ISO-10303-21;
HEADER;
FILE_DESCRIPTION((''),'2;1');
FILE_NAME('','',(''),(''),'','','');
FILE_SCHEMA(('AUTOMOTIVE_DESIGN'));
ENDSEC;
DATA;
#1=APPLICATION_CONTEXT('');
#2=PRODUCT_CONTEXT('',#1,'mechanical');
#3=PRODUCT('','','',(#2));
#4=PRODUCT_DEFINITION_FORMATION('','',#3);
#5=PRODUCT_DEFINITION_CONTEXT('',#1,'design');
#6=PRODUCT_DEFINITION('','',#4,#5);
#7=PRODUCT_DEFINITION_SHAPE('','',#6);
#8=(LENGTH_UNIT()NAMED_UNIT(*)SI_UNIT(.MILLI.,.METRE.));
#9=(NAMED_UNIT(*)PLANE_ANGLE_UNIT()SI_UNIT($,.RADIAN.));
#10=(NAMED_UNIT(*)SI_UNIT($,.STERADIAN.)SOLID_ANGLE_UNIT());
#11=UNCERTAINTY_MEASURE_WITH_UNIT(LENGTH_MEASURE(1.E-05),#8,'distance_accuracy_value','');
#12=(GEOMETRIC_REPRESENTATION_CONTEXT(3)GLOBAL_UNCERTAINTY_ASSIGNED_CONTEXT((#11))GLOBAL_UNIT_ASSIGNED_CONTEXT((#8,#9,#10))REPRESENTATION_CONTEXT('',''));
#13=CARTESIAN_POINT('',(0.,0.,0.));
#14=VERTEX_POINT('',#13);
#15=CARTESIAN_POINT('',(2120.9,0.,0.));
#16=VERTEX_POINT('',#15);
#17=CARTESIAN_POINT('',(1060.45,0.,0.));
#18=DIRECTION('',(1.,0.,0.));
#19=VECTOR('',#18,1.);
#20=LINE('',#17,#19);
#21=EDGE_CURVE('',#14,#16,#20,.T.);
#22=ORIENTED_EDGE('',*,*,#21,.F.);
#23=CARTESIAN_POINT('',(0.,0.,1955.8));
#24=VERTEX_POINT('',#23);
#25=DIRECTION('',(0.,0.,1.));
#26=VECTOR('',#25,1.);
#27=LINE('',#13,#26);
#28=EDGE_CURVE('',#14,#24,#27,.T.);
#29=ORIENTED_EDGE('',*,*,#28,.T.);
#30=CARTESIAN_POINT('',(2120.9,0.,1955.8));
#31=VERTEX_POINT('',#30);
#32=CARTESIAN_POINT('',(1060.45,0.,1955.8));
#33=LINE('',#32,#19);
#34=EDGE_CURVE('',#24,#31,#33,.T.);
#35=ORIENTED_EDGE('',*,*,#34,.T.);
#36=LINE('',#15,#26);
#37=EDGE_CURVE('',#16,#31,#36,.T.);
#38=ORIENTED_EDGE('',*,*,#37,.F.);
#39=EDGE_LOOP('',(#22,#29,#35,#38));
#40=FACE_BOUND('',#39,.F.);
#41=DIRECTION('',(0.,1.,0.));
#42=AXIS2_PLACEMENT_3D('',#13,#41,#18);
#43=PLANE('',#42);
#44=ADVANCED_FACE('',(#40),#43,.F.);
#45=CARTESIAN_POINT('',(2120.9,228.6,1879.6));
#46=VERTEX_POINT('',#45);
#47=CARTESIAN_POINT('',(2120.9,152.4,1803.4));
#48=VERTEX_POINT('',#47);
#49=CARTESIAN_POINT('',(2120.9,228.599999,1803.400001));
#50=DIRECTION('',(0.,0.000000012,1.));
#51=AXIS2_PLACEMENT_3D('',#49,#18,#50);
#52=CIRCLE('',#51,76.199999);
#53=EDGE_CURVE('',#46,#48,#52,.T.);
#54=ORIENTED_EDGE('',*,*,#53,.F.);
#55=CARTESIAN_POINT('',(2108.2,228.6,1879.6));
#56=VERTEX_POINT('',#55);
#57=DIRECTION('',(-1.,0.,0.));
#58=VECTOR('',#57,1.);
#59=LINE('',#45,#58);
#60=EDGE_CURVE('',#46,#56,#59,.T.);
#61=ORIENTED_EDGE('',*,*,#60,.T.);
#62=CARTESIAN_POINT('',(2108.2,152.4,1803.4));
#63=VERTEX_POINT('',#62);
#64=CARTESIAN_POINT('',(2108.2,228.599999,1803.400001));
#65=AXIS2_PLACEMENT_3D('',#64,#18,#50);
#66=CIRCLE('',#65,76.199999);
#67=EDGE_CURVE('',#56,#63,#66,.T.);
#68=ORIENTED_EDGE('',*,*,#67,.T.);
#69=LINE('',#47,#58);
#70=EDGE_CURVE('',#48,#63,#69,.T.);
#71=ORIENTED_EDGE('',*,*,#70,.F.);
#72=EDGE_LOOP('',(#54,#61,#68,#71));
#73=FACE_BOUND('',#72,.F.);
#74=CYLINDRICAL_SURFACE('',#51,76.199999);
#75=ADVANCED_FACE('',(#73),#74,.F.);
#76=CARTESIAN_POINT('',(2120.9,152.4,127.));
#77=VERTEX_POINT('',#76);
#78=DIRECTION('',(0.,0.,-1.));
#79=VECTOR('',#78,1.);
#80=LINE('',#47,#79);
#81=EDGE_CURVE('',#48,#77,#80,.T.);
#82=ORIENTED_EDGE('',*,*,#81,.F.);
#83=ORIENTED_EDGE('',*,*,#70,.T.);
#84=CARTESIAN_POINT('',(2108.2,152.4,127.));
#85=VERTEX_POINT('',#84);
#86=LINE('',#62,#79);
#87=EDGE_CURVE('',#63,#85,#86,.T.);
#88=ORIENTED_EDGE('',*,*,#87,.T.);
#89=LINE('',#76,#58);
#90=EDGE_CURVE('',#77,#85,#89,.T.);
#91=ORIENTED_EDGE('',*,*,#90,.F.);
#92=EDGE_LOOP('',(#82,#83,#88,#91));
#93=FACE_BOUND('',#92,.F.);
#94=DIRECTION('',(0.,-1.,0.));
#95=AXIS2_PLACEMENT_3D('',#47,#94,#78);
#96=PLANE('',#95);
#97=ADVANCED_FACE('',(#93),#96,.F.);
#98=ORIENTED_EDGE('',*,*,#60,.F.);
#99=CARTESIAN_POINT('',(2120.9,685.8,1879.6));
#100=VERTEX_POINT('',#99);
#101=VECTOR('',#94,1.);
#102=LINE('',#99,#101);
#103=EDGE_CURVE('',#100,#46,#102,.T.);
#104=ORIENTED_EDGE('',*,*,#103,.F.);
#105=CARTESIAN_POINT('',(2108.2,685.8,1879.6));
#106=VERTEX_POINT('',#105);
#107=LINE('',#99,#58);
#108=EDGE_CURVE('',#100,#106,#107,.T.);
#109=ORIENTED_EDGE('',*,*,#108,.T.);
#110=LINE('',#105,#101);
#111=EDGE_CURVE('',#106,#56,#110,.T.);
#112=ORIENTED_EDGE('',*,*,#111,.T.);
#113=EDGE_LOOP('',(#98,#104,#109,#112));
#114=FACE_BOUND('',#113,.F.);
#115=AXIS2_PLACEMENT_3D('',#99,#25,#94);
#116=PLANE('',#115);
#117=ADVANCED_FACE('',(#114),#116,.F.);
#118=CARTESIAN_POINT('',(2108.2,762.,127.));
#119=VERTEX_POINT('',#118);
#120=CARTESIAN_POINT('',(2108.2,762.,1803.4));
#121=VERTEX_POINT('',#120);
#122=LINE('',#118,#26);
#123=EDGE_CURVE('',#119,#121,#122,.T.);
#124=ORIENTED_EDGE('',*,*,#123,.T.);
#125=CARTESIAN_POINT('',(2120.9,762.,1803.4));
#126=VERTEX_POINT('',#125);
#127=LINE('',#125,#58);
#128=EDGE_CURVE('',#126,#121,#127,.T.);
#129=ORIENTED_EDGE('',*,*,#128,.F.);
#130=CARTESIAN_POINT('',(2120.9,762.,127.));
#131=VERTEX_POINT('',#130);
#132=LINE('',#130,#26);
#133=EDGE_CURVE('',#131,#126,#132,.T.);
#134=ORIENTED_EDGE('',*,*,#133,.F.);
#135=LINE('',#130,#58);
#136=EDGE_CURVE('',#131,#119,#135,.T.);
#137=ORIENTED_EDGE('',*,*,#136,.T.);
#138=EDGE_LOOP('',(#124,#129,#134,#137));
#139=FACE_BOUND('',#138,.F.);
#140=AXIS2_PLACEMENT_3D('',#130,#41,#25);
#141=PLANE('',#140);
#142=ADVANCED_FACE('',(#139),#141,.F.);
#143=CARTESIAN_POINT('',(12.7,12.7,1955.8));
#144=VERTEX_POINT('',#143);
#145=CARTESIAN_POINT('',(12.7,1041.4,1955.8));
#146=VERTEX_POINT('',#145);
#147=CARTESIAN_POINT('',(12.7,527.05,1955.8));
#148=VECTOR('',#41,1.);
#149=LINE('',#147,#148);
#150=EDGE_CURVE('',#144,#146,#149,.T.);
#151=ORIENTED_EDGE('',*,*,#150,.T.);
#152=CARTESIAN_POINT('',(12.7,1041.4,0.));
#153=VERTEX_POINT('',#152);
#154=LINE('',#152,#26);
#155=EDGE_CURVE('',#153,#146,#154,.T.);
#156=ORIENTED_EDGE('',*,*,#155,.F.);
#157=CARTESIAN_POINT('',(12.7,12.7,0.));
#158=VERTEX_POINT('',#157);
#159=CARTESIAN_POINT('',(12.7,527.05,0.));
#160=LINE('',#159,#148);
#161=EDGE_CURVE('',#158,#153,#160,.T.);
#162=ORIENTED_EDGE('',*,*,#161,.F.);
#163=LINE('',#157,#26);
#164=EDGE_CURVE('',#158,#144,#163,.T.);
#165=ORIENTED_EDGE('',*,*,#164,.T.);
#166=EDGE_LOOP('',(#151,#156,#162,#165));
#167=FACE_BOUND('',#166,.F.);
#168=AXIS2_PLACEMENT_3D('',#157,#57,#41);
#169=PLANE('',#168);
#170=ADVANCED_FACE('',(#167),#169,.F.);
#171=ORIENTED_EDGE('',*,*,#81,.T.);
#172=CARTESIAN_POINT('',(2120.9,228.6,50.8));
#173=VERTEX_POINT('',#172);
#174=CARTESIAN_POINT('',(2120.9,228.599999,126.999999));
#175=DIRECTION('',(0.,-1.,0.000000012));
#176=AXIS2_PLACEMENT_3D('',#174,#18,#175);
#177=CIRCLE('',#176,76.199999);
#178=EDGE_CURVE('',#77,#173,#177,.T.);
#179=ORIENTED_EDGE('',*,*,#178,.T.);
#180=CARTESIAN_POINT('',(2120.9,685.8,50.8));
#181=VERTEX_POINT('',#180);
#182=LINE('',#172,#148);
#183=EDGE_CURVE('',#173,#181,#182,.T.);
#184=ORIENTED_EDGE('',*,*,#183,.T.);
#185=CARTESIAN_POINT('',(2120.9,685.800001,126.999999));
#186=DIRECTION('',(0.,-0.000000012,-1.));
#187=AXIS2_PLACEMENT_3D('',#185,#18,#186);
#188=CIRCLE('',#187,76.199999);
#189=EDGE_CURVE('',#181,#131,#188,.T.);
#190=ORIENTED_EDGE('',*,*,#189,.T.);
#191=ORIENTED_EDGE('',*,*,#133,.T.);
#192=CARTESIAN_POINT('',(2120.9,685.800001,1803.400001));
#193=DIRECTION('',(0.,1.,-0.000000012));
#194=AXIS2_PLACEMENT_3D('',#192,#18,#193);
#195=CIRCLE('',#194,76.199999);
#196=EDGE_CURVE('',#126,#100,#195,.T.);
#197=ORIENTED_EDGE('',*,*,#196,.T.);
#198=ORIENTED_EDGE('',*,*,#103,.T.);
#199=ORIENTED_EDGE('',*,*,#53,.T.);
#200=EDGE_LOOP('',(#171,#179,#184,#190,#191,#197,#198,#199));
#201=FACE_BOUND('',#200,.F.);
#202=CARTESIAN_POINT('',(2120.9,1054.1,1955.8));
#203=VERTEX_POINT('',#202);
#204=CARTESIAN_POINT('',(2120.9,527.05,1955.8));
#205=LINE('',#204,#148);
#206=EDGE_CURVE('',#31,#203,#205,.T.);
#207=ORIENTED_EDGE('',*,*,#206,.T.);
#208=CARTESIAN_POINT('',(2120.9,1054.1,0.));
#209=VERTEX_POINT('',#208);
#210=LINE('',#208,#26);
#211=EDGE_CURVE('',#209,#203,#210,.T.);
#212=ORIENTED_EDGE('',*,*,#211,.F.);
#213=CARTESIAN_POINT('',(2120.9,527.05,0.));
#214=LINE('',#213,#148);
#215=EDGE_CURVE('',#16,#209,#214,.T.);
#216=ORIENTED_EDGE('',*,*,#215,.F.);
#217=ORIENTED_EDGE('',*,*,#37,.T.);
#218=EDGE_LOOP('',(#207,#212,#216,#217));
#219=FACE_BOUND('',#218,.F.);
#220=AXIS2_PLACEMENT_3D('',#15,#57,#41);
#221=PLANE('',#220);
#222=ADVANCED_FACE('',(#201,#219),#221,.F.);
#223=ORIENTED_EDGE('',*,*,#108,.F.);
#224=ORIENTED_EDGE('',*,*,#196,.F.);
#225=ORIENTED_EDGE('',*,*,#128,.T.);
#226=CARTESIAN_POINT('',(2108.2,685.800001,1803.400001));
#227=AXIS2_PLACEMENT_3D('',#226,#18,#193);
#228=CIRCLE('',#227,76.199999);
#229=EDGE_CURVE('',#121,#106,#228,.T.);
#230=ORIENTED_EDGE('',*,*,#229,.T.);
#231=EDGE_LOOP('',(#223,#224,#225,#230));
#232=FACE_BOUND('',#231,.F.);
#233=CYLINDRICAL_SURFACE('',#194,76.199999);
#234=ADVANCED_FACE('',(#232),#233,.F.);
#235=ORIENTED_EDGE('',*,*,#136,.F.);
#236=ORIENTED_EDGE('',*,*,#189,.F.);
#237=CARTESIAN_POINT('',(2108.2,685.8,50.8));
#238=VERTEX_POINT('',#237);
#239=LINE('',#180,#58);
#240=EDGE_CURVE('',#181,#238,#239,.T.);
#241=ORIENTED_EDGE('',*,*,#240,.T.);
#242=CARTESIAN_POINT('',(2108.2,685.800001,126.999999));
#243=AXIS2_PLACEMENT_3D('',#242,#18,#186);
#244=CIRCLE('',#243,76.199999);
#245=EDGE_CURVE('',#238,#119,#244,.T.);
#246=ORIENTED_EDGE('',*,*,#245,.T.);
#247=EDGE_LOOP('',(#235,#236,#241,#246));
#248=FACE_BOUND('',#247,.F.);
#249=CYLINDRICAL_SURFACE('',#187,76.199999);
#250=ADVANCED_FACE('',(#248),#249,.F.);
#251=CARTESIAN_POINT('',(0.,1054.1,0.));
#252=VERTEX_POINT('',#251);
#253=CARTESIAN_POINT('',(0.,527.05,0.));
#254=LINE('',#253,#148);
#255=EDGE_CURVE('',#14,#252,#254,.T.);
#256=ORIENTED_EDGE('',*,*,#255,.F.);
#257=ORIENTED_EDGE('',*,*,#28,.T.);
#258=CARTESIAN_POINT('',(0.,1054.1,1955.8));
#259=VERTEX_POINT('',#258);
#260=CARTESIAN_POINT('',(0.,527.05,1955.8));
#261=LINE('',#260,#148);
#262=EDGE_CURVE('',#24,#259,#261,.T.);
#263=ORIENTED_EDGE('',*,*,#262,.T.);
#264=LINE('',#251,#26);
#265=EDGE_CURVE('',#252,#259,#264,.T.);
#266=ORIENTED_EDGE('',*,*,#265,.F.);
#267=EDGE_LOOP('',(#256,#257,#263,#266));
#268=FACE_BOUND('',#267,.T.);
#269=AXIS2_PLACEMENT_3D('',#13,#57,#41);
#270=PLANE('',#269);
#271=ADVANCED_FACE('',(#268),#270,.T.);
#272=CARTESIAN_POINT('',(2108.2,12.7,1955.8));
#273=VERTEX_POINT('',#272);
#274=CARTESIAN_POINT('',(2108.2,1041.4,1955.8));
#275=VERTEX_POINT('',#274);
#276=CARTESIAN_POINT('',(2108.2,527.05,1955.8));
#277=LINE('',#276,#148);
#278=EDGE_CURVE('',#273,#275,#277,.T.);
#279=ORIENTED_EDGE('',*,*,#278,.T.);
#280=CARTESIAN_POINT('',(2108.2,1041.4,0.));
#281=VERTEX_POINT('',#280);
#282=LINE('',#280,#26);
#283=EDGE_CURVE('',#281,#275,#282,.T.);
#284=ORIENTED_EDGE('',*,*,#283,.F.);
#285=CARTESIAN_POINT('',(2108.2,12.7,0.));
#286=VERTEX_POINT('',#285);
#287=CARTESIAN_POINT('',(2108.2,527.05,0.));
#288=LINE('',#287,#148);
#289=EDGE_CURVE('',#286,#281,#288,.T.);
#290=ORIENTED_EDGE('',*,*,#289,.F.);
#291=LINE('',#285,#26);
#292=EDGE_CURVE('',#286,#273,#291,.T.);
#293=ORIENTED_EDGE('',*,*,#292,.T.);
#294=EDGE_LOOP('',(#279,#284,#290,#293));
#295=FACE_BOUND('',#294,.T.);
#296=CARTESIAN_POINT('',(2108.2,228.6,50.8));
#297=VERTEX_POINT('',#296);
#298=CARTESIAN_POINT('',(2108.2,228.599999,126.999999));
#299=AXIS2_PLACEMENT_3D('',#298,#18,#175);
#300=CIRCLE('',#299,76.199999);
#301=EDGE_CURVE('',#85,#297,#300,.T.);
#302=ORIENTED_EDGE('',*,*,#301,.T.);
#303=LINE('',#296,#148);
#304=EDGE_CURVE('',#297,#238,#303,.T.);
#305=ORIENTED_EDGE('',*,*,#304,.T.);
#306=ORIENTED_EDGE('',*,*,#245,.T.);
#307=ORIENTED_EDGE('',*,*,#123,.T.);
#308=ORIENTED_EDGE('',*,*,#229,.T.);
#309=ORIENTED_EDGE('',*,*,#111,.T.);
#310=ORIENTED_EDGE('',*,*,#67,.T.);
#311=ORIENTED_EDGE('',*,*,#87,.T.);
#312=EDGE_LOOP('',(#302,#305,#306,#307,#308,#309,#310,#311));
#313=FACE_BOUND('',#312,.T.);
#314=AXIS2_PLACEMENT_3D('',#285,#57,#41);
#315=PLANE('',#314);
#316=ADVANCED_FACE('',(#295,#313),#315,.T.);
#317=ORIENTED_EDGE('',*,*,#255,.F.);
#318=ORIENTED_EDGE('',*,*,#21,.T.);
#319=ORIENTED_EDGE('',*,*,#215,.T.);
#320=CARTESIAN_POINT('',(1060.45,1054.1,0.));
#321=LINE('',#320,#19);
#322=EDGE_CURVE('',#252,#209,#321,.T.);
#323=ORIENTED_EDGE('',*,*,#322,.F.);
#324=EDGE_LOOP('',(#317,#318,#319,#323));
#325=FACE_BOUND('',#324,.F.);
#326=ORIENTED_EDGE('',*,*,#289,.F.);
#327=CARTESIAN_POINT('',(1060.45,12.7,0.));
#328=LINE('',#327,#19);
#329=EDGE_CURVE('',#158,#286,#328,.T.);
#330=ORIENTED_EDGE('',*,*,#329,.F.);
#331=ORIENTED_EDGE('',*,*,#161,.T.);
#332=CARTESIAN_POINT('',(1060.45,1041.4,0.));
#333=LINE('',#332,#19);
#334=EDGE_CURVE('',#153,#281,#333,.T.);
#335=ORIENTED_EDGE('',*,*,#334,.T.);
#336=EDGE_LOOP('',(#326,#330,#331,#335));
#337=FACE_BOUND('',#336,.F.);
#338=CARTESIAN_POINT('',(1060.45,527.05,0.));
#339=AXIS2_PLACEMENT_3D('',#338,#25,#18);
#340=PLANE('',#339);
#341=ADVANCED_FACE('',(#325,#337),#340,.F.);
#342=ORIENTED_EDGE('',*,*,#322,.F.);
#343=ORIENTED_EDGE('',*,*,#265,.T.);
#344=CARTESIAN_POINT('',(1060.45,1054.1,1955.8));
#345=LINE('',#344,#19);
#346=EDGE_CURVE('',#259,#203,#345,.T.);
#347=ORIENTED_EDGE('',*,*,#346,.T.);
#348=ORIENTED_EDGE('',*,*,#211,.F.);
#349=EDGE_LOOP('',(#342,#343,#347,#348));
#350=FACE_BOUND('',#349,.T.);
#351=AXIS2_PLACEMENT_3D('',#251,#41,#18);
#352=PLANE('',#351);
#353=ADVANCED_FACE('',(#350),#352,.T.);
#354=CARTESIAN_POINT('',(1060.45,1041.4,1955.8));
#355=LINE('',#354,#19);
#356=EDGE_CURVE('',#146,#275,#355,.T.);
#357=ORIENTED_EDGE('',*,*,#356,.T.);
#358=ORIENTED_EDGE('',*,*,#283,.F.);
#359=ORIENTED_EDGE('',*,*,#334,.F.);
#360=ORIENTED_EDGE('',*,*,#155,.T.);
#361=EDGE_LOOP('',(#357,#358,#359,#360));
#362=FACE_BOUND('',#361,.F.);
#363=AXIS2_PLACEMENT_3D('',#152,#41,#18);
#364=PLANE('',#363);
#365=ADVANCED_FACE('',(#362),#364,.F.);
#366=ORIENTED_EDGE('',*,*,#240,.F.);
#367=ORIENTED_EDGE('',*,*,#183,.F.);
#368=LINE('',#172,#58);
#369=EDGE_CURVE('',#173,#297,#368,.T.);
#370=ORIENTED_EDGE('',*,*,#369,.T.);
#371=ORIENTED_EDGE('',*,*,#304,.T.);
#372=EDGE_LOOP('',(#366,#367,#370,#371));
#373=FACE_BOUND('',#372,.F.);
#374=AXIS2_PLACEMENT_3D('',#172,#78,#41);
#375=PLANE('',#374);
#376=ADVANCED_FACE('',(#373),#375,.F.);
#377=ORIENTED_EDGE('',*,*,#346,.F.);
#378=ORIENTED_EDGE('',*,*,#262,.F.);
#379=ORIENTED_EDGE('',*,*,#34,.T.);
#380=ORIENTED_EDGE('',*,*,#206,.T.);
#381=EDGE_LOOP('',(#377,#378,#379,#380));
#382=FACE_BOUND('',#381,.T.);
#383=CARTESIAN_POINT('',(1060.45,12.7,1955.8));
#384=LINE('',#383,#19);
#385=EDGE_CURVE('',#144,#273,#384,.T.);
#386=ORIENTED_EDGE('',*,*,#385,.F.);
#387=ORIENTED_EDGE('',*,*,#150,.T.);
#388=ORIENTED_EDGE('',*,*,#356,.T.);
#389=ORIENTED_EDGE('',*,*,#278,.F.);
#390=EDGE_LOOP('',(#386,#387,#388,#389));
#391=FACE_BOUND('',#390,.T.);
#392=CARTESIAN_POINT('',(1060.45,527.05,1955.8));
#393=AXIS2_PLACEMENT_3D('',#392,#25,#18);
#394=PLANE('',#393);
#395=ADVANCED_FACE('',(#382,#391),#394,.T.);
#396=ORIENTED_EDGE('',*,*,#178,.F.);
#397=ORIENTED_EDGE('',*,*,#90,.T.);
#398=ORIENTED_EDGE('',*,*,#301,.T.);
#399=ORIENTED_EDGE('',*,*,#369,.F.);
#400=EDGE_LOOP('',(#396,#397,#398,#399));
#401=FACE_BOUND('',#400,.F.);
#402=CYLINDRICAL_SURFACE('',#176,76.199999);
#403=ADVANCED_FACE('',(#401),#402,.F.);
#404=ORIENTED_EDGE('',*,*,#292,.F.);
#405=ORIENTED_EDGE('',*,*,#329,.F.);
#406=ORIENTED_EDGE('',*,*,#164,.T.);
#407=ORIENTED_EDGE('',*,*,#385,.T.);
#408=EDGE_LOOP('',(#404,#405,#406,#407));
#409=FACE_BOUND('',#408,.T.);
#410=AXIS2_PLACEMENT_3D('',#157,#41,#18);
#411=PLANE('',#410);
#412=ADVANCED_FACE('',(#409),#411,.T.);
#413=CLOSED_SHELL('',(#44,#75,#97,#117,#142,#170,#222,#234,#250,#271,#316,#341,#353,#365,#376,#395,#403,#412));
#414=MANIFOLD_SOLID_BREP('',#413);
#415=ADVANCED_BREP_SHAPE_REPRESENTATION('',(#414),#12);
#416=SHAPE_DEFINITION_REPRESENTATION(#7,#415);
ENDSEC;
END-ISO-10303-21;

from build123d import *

# Parameters (mm, degrees)
F0_W     = 2120.9
F0_H     = 1054.1
F0_W_2   = 2095.5
F0_H_2   = 1028.7
F1_DEPTH = 1955.8
F3_DEPTH = 12.7


with BuildPart() as f1:
    # F0 (on Top) → F1 (new body)
    with BuildSketch(Plane.XY):
        with Locations((1060.45, 527.05)):
            Rectangle(F0_W, F0_H)
        with Locations((1060.45, 527.05)):
            Rectangle(F0_W_2, F0_H_2, mode=Mode.SUBTRACT)
    extrude(amount=F1_DEPTH)

    # F2 (on face) → F3 (cut, through all)
    with BuildSketch(Plane.YZ.offset(2120.9)):
        with BuildLine():
            ThreePointArc((152.4, 127), (174.718463, 73.118463), (228.6, 50.8))
            Line((228.6, 50.8), (685.8, 50.8))
            ThreePointArc((685.8, 50.8), (739.681537, 73.118463), (762, 127))
            Line((762, 127), (762, 1803.4))
            ThreePointArc((762, 1803.4), (739.681537, 1857.281537), (685.8, 1879.6))
            Line((685.8, 1879.6), (228.6, 1879.6))
            ThreePointArc((228.6, 1879.6), (174.718463, 1857.281537), (152.4, 1803.4))
            Line((152.4, 1803.4), (152.4, 127))
        make_face()
    extrude(amount=-F3_DEPTH, mode=Mode.SUBTRACT)


solid = f1.part
